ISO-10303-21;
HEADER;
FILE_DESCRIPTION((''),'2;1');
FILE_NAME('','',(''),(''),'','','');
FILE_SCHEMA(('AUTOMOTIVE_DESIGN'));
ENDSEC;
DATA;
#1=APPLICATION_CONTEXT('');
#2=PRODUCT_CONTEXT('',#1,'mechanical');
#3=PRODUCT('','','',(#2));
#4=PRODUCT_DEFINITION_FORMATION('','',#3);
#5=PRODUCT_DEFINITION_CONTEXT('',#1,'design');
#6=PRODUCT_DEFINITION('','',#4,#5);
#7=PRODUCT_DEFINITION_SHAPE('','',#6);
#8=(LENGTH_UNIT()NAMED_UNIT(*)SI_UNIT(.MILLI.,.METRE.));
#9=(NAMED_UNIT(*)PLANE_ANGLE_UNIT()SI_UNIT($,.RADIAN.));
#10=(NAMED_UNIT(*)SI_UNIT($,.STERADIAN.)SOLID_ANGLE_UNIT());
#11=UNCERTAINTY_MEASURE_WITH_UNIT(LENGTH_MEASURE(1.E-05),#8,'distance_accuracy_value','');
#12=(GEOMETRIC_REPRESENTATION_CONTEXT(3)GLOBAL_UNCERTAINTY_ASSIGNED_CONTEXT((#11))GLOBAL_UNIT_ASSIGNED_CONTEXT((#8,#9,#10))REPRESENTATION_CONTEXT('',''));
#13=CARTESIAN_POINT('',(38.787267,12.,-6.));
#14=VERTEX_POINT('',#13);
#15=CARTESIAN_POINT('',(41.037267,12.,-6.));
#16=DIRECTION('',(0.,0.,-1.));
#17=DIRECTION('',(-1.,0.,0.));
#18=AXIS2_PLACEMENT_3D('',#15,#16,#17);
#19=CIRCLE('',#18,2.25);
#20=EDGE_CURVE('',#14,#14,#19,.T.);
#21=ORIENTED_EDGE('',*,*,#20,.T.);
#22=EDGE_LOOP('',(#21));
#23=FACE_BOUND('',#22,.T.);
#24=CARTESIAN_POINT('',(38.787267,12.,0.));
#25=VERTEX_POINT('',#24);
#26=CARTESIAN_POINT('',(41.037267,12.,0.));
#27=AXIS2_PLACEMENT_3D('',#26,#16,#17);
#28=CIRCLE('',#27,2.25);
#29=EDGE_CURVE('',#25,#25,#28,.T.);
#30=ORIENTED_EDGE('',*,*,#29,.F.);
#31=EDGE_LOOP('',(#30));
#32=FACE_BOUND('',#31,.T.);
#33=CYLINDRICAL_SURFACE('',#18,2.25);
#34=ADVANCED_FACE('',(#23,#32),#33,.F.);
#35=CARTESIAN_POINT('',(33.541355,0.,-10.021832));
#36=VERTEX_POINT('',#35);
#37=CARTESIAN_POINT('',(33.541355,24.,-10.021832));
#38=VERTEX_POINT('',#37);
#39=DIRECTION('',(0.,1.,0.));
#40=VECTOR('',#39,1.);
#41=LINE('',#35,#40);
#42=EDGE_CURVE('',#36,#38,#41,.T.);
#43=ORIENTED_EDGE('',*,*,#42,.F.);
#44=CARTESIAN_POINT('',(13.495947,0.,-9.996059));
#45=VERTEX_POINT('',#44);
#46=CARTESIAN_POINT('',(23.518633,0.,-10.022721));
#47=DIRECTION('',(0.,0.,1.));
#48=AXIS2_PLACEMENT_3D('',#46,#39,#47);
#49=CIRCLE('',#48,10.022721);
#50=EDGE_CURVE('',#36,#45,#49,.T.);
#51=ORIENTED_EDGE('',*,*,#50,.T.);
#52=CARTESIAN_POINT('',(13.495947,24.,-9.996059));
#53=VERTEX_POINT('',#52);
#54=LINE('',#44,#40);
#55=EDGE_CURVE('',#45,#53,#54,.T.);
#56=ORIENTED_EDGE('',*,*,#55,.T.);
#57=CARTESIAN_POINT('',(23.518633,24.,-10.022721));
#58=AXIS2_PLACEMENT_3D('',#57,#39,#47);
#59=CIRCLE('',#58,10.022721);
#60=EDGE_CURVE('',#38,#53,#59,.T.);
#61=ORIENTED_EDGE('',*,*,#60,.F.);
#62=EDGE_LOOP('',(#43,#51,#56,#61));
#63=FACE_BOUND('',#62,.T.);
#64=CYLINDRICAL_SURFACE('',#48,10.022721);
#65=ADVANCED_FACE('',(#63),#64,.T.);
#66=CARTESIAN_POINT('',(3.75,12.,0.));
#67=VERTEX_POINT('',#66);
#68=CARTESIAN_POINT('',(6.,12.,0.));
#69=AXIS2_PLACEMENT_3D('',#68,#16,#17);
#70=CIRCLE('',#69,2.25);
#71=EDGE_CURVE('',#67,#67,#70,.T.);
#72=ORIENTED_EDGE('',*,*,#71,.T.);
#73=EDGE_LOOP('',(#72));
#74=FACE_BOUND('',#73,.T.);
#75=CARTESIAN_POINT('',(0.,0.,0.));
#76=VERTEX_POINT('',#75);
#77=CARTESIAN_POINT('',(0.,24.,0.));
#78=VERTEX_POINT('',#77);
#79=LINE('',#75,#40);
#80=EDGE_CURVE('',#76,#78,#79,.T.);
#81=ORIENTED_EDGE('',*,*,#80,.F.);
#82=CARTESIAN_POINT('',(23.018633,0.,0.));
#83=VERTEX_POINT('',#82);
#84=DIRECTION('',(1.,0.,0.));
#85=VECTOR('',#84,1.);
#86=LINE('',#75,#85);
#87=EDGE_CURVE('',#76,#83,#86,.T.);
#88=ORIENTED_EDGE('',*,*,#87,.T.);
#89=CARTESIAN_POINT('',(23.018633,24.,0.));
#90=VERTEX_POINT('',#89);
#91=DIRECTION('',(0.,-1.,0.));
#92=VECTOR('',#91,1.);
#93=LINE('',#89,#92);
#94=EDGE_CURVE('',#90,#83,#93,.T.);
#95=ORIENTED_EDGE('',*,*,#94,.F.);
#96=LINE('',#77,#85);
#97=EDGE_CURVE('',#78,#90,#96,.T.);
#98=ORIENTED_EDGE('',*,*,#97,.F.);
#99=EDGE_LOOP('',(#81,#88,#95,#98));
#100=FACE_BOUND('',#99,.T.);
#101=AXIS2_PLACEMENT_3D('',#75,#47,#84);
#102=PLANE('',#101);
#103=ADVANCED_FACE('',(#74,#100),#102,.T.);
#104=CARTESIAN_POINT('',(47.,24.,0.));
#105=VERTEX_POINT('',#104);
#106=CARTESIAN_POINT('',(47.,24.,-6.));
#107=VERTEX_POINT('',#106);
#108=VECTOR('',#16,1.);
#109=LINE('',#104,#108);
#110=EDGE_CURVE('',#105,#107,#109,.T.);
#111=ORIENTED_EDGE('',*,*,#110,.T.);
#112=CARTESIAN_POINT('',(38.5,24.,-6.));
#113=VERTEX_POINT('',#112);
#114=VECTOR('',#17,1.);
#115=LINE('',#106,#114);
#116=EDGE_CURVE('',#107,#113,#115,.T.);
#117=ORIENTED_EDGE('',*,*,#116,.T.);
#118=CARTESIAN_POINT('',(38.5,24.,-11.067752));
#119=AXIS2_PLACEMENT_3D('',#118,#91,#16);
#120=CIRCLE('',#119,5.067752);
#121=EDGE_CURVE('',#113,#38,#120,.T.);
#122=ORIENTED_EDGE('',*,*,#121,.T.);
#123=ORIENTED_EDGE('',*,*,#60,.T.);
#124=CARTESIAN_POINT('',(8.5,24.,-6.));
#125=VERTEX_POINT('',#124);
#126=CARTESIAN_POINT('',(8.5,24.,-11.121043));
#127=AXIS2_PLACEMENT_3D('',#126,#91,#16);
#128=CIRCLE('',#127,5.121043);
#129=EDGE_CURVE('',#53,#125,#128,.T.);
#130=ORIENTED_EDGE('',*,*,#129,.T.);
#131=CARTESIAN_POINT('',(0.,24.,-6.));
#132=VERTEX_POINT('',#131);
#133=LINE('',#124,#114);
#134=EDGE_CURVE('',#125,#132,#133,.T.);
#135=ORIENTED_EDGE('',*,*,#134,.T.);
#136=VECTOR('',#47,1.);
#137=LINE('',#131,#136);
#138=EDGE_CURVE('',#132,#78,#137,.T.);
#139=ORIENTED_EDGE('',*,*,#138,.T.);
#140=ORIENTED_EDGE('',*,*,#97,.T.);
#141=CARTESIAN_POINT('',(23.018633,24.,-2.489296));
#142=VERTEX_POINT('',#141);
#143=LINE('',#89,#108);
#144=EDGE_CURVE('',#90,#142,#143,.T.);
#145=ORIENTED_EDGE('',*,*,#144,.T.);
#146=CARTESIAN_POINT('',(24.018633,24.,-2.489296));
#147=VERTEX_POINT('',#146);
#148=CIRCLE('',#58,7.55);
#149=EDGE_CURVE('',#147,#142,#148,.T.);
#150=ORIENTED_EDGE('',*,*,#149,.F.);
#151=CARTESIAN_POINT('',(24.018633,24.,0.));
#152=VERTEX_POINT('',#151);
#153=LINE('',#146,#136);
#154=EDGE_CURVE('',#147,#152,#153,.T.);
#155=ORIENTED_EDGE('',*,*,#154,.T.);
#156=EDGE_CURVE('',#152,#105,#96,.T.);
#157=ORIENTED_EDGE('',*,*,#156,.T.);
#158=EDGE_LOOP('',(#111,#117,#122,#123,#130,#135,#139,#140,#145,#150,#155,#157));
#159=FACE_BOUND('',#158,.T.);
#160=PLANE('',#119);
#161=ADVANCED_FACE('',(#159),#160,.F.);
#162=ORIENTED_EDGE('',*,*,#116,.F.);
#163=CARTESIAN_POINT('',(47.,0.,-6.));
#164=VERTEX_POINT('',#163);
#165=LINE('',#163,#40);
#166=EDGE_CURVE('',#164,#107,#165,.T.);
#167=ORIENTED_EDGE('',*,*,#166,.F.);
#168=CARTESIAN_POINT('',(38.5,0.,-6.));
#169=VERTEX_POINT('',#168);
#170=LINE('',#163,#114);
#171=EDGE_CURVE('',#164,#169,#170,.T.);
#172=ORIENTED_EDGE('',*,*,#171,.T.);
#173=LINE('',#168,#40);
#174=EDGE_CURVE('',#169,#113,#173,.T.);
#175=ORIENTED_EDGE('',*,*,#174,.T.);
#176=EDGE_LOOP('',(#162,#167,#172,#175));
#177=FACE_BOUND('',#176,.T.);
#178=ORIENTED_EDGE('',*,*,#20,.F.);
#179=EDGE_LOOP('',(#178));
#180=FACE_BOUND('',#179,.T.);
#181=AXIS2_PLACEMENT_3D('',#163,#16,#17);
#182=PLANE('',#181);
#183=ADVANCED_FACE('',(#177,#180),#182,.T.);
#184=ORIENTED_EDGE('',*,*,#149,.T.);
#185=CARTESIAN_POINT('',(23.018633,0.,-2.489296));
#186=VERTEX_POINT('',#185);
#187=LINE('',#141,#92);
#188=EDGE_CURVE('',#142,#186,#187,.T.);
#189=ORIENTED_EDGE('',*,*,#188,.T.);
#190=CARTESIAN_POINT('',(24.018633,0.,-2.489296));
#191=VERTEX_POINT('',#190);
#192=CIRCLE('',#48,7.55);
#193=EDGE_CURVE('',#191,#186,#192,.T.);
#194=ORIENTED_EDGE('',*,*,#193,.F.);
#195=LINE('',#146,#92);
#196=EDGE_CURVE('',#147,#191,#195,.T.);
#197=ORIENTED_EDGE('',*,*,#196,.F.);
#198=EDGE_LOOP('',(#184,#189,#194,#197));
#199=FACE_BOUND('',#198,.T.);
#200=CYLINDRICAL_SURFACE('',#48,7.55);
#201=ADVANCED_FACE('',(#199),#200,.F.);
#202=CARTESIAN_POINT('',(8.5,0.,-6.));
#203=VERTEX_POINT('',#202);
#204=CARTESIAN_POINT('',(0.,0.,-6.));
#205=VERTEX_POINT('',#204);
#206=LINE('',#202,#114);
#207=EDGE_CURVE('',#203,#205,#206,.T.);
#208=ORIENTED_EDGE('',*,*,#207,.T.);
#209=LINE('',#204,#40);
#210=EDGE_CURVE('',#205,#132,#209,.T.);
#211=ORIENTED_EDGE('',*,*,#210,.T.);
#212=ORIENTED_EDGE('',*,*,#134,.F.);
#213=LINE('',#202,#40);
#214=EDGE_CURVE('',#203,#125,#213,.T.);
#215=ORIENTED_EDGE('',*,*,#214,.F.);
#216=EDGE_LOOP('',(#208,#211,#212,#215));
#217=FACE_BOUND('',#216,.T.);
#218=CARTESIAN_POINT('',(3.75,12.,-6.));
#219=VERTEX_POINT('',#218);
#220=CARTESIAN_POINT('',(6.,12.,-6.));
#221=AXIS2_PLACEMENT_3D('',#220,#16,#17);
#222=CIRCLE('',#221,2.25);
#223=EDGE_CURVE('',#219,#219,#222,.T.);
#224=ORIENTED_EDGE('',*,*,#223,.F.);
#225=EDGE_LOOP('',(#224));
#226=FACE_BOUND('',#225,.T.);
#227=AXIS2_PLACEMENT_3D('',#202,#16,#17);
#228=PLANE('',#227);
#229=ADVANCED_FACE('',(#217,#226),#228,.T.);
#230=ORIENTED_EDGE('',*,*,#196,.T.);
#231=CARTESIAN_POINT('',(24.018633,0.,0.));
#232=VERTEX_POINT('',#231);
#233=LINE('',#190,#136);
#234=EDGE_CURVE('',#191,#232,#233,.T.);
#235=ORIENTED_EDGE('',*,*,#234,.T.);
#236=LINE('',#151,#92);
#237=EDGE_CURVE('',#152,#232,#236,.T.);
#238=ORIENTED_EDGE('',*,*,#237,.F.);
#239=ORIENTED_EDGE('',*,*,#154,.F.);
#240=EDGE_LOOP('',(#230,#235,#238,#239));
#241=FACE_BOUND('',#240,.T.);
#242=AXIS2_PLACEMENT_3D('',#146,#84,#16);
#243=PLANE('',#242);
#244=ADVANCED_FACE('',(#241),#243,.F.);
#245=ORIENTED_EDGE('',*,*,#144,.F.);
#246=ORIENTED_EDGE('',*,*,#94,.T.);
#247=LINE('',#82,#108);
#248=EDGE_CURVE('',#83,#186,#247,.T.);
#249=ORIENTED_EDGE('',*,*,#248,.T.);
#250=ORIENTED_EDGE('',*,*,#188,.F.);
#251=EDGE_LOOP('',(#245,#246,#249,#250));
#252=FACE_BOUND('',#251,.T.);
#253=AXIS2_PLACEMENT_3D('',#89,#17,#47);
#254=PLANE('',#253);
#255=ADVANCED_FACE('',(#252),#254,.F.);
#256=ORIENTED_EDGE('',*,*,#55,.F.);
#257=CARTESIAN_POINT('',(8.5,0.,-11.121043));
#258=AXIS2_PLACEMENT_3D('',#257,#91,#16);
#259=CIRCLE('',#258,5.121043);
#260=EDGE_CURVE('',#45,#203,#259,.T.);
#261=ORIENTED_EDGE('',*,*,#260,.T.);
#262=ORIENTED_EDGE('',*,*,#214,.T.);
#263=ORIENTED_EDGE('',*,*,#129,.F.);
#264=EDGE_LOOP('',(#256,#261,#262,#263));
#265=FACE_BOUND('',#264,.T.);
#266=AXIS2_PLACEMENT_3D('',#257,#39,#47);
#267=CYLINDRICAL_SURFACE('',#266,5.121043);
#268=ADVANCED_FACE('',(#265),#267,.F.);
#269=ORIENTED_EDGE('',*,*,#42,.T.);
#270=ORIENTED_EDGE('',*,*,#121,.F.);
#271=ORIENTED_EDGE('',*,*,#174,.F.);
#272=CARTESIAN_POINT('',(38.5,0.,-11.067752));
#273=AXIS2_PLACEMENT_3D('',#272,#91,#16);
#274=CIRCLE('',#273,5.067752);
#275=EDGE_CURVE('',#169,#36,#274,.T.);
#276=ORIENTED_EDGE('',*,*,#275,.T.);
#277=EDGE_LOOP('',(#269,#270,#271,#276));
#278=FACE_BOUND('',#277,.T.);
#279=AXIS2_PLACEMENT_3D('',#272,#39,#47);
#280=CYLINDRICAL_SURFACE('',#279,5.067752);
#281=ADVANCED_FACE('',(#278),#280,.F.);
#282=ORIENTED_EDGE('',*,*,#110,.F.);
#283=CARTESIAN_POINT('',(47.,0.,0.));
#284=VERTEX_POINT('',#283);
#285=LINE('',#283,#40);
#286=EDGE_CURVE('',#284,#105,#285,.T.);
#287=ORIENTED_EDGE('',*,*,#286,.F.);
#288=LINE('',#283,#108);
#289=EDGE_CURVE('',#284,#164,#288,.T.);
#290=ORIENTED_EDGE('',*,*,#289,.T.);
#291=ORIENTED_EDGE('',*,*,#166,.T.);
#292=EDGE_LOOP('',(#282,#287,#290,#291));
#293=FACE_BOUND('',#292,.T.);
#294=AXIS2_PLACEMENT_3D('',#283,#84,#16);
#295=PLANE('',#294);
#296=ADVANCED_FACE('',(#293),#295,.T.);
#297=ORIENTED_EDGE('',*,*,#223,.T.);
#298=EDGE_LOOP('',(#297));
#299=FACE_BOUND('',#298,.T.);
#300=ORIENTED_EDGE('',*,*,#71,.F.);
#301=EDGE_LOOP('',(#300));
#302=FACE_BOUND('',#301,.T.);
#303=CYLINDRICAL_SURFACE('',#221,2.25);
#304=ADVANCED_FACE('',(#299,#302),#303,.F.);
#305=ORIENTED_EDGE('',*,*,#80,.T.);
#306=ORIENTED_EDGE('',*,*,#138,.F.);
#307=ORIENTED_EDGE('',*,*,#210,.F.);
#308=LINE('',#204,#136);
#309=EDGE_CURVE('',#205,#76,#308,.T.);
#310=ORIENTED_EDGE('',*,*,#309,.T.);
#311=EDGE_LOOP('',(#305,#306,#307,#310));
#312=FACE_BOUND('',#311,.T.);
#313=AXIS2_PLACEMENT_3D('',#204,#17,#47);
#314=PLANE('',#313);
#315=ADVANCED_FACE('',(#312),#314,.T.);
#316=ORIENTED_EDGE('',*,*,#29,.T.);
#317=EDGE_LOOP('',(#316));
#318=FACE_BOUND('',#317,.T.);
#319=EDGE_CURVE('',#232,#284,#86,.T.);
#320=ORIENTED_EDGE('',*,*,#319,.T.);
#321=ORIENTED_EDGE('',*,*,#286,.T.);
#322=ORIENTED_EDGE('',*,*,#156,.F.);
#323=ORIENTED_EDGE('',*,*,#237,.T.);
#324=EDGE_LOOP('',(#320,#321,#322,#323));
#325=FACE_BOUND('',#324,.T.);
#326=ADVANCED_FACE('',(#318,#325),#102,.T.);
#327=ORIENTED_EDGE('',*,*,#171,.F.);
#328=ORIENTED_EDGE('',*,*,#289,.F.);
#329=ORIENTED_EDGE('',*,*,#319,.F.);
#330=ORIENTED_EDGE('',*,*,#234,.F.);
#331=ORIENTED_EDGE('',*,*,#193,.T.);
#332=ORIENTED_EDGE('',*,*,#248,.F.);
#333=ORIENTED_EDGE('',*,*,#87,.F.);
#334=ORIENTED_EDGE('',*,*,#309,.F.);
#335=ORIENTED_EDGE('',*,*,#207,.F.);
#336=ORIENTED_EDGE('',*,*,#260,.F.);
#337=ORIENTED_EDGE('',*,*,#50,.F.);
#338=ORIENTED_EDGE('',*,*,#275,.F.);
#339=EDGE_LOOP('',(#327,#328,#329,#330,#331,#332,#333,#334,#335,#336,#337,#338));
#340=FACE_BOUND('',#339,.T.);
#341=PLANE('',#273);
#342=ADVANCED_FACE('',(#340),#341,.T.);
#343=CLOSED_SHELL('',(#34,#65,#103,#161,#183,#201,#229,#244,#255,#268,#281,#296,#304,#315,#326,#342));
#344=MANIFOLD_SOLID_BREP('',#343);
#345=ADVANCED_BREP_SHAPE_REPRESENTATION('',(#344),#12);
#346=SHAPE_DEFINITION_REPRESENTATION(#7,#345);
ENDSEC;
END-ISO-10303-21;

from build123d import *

# Parameters (mm, degrees)
BOSS_EXTRUDE1_DEPTH            = 24
CUT_EXTRUDE1_DEPTH             = 25
SKETCH3_W                      = 7.55
SKETCH3_H                      = 24
F_4_5_4_5_DIAMETER_HOLE1_D     = 4.5
F_4_5_4_5_DIAMETER_HOLE1_DEPTH = 6


with BuildPart() as part:
    # Sketch1 → Boss-Extrude1 (new body)
    with BuildSketch(Plane(origin=(0, 24, 0), x_dir=(1, 0, 0), z_dir=(0, 1, 0))):
        with BuildLine():
            Line((0, 0), (47, 0))
            Line((47, 0), (47, 6))
            Line((47, 6), (38.5, 6))
            ThreePointArc((38.5, 6), (35.307693119, 7.131854655), (33.541354656, 10.021831577))
            ThreePointArc((33.541354656, 10.021831577), (23.505747016, 20.045434485), (13.49594739, 9.996059012))
            ThreePointArc((13.49594739, 9.996059012), (11.698748894, 7.121907302), (8.5, 6))
            Line((8.5, 6), (0, 6))
            Line((0, 6), (0, 0))
        make_face()
    extrude(amount=-BOSS_EXTRUDE1_DEPTH)

    # Sketch2 → Cut-Extrude1 (cut, through all)
    with BuildSketch(Plane.XZ):
        with BuildLine():
            Line((24.018633311, 0), (23.018633311, 0))
            Line((23.018633311, 0), (23.018633311, -2.489295869))
            ThreePointArc((23.018633311, -2.489295869), (23.518633311, -2.472721384), (24.018633311, -2.489295869))
            Line((24.018633311, -2.489295869), (24.018633311, 0))
        make_face()
    extrude(amount=-CUT_EXTRUDE1_DEPTH, mode=Mode.SUBTRACT)

    # Sketch3 → Cut-Revolve1 (revolve, cut)
    with BuildSketch(Plane(origin=(0, 0, -10.022721384), x_dir=(-1, 0, 0), z_dir=(0, 0, -1))):
        with Locations((-27.293633311, 12)):
            Rectangle(SKETCH3_W, SKETCH3_H)
    revolve(axis=Axis((23.518633311, 0, -10.022721384), (0, 1, 0)), mode=Mode.SUBTRACT)

    # Ø4.5 (4.5) Diameter Hole1
    with Locations(Plane(origin=(0, 0, -6), x_dir=(-1, 0, 0), z_dir=(0, 0, -1))):
        with Locations((-41.037266621, 12), (-6, 12)):
            Hole(F_4_5_4_5_DIAMETER_HOLE1_D / 2, depth=F_4_5_4_5_DIAMETER_HOLE1_DEPTH)


solid = part.part
